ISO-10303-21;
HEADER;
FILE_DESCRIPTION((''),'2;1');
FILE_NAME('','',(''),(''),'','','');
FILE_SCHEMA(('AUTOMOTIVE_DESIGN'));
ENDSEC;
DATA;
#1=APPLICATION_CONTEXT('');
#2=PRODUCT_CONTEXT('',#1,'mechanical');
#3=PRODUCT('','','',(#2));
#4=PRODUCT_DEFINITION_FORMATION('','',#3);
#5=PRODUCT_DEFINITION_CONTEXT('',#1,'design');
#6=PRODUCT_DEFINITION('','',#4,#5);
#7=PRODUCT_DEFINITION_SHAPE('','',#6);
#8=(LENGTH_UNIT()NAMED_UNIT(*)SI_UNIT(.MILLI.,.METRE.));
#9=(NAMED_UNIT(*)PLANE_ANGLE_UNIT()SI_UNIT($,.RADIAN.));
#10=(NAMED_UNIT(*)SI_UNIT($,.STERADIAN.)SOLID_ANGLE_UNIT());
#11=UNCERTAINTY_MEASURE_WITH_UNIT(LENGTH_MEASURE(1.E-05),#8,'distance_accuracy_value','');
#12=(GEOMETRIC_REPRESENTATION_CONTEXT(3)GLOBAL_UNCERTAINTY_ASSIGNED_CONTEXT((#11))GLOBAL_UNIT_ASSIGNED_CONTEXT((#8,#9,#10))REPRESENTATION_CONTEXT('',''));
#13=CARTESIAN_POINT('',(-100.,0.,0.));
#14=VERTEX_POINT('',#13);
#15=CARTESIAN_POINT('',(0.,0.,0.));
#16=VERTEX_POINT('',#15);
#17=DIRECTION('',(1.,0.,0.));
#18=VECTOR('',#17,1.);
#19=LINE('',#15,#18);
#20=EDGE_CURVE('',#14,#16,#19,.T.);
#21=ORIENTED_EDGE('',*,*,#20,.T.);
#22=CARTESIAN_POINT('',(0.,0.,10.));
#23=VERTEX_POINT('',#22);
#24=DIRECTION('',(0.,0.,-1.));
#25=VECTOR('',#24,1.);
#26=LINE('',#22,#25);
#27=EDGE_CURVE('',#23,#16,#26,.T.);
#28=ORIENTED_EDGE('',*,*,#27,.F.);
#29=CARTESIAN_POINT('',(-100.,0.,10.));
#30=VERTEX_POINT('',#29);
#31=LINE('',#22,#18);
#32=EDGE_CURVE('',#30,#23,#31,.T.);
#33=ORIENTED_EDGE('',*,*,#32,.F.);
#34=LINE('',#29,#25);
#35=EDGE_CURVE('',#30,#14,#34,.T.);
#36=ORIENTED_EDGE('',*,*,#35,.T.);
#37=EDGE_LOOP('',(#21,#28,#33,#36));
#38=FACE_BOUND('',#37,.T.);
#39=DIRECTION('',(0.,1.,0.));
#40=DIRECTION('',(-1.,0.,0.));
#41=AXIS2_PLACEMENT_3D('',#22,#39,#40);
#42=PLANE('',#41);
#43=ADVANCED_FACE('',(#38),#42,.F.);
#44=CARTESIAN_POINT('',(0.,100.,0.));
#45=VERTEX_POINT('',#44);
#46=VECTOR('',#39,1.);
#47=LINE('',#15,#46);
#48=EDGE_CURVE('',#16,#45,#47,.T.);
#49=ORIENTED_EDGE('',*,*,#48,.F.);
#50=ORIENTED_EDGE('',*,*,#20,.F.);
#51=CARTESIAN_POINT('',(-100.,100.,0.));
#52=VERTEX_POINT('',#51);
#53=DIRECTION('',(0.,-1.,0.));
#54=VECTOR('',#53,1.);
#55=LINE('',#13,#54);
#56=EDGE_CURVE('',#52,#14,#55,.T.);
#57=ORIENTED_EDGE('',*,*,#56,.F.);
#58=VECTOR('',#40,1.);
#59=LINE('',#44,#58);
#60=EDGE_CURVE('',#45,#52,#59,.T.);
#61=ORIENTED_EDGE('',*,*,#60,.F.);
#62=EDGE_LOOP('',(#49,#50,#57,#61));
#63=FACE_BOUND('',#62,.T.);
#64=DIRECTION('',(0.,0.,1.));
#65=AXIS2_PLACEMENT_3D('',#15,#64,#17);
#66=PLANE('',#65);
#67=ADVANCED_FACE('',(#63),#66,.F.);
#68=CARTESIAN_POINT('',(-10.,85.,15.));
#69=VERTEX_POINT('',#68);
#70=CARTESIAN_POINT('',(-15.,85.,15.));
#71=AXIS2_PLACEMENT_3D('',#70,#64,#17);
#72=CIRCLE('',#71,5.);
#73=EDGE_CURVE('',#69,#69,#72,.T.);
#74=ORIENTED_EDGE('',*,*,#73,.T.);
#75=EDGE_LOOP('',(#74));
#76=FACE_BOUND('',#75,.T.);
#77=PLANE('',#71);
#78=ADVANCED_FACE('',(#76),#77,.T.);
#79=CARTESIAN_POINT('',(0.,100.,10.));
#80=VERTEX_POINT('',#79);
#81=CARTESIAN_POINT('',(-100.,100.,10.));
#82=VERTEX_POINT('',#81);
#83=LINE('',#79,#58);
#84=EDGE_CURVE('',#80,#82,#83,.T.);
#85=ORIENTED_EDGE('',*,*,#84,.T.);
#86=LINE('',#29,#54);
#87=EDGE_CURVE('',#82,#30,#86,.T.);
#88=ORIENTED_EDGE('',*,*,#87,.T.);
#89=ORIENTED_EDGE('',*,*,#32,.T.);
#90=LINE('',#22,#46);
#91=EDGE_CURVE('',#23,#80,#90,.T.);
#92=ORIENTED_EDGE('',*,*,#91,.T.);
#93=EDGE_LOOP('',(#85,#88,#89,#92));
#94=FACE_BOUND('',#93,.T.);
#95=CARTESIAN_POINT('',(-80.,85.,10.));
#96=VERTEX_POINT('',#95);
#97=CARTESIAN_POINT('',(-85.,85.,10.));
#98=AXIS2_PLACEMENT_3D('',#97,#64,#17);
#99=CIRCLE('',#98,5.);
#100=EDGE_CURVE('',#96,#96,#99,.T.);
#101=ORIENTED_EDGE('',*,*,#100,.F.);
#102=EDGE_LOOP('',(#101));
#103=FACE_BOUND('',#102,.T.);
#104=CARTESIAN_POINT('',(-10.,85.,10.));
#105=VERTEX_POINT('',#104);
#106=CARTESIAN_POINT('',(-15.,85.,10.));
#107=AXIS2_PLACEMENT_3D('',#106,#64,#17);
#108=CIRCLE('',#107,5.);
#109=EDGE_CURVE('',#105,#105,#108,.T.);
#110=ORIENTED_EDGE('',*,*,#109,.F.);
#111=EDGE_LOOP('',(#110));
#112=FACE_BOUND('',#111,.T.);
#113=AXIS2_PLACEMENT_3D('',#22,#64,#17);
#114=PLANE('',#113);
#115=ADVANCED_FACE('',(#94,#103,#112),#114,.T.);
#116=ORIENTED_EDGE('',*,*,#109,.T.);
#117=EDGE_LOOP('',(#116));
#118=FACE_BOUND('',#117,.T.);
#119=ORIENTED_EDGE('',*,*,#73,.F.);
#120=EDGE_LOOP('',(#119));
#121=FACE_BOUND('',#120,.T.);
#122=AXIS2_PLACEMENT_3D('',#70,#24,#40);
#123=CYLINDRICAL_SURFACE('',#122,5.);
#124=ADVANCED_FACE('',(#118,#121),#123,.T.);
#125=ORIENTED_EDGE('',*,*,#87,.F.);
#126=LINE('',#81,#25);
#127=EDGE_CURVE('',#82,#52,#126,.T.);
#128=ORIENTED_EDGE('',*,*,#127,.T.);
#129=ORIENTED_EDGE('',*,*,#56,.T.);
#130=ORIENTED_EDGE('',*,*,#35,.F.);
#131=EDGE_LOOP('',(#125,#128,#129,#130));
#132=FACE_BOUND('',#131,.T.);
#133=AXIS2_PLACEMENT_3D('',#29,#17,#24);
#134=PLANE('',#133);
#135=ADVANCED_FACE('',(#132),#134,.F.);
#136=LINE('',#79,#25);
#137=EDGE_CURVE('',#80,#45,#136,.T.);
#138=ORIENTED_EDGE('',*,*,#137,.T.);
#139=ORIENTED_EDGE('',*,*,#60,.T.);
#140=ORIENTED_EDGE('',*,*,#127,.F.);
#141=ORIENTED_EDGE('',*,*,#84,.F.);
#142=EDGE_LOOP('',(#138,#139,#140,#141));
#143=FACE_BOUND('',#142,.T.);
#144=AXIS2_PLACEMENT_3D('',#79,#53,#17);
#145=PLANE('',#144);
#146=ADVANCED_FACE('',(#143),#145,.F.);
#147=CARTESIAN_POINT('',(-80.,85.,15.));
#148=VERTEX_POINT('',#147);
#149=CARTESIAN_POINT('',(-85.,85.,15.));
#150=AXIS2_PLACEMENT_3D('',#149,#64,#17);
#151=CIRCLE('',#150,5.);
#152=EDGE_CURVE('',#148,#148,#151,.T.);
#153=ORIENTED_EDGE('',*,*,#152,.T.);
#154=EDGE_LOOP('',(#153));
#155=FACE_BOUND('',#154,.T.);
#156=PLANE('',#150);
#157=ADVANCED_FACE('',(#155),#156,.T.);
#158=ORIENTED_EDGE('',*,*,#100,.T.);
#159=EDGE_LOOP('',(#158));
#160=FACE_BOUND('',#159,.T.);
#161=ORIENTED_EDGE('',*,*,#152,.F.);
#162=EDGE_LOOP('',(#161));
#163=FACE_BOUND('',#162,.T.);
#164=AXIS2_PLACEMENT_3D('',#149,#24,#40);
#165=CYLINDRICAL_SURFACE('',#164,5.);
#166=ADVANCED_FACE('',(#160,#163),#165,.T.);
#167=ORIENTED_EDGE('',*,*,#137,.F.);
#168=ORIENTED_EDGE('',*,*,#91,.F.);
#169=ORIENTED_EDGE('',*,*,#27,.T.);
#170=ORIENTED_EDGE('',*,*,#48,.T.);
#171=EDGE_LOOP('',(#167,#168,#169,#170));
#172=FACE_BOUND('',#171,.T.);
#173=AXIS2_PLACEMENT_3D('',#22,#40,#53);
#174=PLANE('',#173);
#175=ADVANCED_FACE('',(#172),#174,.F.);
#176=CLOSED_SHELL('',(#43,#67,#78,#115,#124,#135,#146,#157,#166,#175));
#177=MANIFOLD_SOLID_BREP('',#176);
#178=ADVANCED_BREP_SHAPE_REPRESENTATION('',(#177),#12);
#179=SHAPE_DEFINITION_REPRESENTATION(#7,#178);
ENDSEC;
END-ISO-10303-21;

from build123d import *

# Parameters (mm, degrees)
SKETCH1_W           = 100
SKETCH1_H           = 100
BOSS_EXTRUDE1_DEPTH = 10
SKETCH2_R           = 5
BOSS_EXTRUDE2_DEPTH = 5


with BuildPart() as part:
    # Sketch1 → Boss-Extrude1 (new body)
    with BuildSketch(Plane.XY):
        with Locations((-50, 50)):
            Rectangle(SKETCH1_W, SKETCH1_H)
    extrude(amount=BOSS_EXTRUDE1_DEPTH)

    # Sketch2 → Boss-Extrude2 (add)
    with BuildSketch(Plane.XY.offset(10)):
        with Locations((-85, 85)):
            Circle(SKETCH2_R)
        with Locations((-15, 85)):
            Circle(SKETCH2_R)
    extrude(amount=BOSS_EXTRUDE2_DEPTH)


solid = part.part
